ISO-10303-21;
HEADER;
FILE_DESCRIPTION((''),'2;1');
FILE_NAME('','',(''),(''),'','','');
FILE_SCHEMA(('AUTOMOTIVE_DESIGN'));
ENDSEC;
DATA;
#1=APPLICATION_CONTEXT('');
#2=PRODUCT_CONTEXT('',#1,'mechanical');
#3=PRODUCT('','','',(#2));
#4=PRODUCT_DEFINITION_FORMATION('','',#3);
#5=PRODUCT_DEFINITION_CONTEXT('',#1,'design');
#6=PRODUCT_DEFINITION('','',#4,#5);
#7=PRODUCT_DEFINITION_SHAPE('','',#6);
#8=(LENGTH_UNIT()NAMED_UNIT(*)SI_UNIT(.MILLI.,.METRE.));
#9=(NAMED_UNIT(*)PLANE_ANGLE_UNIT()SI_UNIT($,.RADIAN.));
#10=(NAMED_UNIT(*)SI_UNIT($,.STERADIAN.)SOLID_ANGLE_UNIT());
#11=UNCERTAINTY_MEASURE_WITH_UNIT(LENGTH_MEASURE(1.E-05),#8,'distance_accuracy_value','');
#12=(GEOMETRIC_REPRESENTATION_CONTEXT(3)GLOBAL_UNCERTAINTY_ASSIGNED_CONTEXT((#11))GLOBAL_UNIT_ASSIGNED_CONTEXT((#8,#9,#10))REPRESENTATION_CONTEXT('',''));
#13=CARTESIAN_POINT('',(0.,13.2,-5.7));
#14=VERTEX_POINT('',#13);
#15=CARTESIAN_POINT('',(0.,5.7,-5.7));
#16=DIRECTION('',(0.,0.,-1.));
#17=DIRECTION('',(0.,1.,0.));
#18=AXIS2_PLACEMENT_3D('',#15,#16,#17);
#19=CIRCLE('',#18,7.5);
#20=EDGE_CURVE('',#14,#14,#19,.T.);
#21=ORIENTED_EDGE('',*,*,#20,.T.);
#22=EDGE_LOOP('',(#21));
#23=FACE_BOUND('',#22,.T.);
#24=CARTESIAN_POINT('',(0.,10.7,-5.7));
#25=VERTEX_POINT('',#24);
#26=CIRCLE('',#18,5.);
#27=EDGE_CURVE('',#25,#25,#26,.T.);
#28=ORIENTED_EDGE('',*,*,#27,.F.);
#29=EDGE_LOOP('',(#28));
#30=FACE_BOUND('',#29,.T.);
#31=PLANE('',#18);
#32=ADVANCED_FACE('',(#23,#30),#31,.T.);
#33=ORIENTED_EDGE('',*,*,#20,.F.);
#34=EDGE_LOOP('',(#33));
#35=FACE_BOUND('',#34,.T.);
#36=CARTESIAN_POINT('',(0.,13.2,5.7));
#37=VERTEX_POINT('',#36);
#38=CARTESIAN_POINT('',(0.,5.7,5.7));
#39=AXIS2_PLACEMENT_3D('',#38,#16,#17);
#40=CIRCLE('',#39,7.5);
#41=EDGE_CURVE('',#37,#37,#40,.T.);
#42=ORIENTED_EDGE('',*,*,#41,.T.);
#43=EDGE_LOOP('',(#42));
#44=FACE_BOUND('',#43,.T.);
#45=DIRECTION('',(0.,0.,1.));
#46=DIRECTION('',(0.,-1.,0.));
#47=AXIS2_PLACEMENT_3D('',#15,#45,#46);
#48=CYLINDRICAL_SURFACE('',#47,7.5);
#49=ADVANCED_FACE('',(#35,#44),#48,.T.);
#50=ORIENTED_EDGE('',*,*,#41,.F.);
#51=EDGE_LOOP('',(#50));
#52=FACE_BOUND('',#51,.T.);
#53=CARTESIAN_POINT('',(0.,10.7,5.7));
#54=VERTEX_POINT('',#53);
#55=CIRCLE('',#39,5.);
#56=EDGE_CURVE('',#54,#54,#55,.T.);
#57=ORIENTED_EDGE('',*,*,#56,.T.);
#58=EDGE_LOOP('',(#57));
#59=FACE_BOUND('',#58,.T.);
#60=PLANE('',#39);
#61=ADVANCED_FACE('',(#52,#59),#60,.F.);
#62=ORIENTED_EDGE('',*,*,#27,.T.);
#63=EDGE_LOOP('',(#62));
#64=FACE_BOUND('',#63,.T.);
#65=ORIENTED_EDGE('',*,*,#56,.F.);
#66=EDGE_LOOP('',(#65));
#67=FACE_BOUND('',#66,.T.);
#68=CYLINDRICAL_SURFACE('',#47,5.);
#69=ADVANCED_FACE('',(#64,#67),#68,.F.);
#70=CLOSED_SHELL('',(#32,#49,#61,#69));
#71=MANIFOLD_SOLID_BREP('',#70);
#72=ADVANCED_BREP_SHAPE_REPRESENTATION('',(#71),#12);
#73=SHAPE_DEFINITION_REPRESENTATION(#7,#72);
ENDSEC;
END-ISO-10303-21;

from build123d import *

# Parameters (mm, degrees)
SKIZZE1_R                          = 7.5
SKIZZE1_R_2                        = 5
AUFSATZ_LINEAR_AUSTRAGEN1_DEPTH    = 11.4
K_RPER_VERSCHIEBEN_KOPIEREN1_ANGLE = 90


with BuildPart() as part:
    # Skizze1 → Aufsatz-Linear austragen1 (new body)
    with BuildSketch(Plane(origin=(0, 0, 0), x_dir=(1, 0, 0), z_dir=(0, 1, 0))):
        with Locations(Location((0, 0, 0), (0, 0, 270))):
            Circle(SKIZZE1_R)
        with Locations(Location((0, 0, 0), (0, 0, 270))):
            Circle(SKIZZE1_R_2, mode=Mode.SUBTRACT)
    extrude(amount=AUFSATZ_LINEAR_AUSTRAGEN1_DEPTH)


with BuildPart() as part_1:
    # Körper-Verschieben/Kopieren1: moved
    add(part.part.rotate(Axis((0, 5.7, 0), (-1, 0, 0)), K_RPER_VERSCHIEBEN_KOPIEREN1_ANGLE))


solid = part_1.part
